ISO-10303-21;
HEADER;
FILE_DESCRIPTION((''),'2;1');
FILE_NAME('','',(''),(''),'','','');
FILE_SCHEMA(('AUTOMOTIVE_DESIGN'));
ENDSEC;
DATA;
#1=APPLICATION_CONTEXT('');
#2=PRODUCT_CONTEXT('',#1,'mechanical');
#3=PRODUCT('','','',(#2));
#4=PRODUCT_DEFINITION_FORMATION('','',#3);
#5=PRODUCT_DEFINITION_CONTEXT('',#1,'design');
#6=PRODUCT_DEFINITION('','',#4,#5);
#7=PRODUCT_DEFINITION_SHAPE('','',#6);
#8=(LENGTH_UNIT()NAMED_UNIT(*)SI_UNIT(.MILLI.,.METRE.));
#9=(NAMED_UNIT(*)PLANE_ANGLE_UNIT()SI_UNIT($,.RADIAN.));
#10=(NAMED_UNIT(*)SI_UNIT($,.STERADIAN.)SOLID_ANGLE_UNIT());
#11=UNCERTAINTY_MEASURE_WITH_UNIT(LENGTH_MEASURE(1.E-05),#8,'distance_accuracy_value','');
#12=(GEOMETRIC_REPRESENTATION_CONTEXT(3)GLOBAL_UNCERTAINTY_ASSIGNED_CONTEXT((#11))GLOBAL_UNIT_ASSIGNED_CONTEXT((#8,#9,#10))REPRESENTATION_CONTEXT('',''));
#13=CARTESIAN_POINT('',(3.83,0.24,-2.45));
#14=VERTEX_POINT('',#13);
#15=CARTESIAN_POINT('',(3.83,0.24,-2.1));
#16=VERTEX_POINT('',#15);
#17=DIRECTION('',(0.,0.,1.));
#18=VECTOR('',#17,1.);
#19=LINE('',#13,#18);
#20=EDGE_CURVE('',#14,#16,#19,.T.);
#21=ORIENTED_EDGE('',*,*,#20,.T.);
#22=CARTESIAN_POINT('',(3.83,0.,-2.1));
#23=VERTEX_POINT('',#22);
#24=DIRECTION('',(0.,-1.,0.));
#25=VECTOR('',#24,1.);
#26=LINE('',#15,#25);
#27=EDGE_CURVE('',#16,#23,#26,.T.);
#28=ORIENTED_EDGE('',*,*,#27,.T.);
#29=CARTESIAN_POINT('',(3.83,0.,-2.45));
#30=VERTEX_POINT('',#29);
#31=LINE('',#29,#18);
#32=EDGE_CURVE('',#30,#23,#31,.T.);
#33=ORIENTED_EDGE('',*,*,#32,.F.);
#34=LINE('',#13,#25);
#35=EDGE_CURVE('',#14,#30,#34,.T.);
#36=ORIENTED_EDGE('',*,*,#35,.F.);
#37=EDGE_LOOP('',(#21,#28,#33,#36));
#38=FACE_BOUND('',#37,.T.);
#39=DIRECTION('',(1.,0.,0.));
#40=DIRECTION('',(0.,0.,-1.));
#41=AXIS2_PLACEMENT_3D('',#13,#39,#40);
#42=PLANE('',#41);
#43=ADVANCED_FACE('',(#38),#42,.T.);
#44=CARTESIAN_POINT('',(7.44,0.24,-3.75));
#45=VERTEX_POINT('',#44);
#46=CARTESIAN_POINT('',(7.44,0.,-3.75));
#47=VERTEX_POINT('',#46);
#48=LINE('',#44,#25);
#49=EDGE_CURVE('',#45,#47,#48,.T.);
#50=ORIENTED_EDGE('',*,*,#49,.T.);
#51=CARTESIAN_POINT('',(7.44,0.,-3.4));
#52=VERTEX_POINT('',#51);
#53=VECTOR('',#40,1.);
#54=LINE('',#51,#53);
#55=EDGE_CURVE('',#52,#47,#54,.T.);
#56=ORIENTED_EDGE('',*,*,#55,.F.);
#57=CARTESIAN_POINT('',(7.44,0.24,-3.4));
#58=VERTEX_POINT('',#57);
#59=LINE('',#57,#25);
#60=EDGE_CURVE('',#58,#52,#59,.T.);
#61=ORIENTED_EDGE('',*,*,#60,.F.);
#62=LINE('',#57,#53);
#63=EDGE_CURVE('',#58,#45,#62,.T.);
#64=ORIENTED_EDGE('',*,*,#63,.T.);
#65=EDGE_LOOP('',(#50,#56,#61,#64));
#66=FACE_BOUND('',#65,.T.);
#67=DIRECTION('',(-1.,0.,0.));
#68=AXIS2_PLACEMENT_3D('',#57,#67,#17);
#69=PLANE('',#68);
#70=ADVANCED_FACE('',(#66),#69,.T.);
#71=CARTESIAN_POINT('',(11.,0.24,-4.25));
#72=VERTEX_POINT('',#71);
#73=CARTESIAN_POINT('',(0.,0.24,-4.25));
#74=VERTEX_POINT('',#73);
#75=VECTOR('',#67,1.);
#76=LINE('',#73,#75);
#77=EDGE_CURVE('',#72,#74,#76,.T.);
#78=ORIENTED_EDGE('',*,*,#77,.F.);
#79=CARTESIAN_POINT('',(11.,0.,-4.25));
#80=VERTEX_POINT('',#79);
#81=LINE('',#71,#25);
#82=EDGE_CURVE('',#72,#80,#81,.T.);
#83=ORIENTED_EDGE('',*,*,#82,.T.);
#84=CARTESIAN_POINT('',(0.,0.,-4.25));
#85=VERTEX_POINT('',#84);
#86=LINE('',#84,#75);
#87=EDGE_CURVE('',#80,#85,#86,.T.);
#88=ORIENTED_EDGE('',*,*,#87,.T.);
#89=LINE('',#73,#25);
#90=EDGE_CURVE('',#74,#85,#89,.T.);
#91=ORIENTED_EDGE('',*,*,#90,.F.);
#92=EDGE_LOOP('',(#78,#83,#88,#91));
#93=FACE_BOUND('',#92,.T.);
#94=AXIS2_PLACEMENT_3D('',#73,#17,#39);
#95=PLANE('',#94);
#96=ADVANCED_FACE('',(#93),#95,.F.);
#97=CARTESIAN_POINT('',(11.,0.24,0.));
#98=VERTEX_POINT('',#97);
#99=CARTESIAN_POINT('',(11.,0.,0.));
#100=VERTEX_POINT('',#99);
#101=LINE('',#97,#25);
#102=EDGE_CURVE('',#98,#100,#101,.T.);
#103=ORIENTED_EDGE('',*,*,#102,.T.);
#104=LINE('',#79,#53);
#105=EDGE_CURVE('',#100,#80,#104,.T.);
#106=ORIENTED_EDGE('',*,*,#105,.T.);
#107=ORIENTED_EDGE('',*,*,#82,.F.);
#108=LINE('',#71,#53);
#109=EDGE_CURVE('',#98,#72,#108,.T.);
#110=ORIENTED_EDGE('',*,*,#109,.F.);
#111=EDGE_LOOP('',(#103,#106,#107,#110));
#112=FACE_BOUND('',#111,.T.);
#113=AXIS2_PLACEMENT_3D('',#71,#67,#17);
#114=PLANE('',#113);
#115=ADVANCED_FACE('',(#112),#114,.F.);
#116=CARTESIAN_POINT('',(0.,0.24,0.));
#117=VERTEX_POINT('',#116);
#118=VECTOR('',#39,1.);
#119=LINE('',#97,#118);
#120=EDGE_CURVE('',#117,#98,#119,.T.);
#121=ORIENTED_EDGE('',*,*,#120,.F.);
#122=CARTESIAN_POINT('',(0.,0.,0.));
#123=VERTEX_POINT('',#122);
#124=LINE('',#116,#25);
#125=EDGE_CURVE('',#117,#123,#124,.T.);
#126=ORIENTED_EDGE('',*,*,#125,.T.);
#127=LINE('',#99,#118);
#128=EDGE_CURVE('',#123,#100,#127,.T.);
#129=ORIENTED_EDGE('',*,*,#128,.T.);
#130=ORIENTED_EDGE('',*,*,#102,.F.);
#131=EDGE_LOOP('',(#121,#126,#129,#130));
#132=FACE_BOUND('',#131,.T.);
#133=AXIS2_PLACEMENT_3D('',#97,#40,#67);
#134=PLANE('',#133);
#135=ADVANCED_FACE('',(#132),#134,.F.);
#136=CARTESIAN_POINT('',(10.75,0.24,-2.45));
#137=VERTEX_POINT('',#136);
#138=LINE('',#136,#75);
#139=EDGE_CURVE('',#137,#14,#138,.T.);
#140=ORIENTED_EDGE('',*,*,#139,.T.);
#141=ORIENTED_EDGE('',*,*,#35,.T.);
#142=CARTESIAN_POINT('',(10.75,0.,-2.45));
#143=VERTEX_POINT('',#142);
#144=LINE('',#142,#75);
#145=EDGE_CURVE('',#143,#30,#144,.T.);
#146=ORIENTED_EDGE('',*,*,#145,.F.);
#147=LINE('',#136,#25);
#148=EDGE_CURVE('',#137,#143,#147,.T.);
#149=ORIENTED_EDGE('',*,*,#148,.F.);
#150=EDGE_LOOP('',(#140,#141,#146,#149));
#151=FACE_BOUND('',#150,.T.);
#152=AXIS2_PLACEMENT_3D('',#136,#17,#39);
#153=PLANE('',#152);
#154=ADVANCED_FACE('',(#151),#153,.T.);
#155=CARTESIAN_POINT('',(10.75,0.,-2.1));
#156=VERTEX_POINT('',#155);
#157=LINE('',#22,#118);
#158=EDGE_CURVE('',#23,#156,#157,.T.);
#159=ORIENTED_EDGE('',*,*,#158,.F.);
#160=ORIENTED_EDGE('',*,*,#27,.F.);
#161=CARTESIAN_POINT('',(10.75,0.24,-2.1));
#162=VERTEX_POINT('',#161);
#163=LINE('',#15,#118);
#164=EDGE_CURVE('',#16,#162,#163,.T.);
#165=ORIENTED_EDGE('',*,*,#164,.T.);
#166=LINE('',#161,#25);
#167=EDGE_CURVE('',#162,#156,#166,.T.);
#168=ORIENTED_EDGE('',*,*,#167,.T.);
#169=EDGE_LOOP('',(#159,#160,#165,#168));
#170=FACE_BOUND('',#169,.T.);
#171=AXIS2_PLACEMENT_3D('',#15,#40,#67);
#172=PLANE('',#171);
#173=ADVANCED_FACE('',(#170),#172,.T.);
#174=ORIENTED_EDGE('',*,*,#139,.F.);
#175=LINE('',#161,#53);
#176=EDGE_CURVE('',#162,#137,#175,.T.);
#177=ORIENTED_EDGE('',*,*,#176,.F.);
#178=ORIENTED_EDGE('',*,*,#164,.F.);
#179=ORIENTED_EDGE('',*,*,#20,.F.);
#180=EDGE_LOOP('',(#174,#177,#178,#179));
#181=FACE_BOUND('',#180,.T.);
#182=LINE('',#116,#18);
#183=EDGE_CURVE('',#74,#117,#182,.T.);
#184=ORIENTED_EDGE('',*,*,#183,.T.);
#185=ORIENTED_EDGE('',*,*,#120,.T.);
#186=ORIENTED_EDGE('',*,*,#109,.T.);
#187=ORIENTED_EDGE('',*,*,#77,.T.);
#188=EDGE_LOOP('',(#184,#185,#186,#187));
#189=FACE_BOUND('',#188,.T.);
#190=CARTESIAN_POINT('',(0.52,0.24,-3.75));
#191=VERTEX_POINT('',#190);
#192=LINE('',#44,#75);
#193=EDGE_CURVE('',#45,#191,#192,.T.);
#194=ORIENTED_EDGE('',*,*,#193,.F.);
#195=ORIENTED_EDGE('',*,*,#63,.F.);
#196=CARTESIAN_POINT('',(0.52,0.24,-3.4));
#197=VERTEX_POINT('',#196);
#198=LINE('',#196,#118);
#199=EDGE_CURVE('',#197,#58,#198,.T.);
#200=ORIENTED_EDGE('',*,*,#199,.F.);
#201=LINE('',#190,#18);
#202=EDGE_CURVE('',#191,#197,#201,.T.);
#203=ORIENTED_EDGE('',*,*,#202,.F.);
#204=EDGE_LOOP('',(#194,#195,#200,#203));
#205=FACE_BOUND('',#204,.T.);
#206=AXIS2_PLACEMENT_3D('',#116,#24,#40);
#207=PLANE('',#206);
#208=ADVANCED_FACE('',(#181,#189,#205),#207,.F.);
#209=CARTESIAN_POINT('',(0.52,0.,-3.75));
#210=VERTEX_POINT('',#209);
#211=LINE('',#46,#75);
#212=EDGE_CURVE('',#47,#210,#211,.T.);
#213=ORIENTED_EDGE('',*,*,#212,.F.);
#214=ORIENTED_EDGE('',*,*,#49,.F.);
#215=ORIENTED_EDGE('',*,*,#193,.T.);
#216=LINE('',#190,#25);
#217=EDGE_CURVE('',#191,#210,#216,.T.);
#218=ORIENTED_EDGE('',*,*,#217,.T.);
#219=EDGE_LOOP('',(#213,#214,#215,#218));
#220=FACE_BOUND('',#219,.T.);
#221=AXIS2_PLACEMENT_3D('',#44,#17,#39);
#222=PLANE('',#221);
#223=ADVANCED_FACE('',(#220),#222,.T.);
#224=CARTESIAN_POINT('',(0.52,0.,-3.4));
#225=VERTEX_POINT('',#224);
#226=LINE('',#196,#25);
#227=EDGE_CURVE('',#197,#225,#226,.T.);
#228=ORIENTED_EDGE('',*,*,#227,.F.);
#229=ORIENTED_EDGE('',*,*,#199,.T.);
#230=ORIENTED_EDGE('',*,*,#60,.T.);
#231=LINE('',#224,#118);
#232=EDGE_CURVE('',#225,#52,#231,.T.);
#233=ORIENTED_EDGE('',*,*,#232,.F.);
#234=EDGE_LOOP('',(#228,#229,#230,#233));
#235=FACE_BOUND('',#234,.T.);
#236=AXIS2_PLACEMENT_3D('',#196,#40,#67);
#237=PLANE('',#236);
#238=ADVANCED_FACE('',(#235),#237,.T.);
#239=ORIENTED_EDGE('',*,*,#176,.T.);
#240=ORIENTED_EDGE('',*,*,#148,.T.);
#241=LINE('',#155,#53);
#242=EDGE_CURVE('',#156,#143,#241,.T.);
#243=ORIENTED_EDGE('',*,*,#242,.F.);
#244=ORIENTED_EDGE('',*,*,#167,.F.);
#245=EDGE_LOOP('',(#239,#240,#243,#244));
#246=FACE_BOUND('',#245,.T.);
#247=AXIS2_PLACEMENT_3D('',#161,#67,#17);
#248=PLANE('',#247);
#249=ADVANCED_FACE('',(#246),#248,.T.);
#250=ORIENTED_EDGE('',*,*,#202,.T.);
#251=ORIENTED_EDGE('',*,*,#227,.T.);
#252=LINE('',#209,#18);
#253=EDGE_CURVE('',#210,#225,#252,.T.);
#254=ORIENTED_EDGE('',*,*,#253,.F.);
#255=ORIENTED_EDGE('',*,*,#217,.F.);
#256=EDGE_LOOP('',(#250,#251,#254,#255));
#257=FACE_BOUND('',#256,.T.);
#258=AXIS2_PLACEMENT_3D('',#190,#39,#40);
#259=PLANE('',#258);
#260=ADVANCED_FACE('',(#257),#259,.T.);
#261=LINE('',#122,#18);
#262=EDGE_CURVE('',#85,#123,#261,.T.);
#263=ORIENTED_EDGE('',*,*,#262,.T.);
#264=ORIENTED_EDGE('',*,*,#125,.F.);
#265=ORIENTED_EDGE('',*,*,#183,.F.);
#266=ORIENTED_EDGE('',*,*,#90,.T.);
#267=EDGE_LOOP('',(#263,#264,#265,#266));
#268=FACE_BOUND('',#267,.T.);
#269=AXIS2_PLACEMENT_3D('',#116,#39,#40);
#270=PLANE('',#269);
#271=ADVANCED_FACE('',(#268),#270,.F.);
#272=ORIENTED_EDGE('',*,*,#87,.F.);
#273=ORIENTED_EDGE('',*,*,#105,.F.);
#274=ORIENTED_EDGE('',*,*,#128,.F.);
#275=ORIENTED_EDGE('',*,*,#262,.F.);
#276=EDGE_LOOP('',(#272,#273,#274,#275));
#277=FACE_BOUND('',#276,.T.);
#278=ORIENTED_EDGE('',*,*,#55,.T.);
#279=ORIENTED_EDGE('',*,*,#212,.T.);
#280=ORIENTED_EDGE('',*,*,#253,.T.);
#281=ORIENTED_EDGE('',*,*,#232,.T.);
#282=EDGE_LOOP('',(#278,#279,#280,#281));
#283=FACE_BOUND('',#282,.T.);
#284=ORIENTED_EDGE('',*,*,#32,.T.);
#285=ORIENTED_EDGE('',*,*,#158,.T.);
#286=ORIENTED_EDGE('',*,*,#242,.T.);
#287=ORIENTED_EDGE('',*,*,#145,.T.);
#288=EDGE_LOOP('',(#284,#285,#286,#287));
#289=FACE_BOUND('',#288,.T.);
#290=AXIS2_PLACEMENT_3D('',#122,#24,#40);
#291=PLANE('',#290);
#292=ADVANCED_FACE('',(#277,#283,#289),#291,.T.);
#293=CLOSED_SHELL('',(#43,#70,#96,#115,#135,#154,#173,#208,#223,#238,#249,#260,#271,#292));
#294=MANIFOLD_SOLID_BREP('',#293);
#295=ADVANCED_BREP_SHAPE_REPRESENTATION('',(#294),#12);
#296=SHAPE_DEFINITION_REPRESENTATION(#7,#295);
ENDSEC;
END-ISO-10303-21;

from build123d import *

# Parameters (mm, degrees)
SKETCH1_W           = 11
SKETCH1_H           = 4.25
SKETCH1_W_2         = 6.92
SKETCH1_H_2         = 0.35
BOSS_EXTRUDE1_DEPTH = 0.24


with BuildPart() as part:
    # Sketch1 → Boss-Extrude1 (new body)
    with BuildSketch(Plane(origin=(0, 0, 0), x_dir=(1, 0, 0), z_dir=(0, 1, 0))):
        with Locations((5.5, 2.125)):
            Rectangle(SKETCH1_W, SKETCH1_H)
        with Locations((3.98, 3.575)):
            Rectangle(SKETCH1_W_2, SKETCH1_H_2, mode=Mode.SUBTRACT)
        with Locations((7.29, 2.275)):
            Rectangle(SKETCH1_W_2, SKETCH1_H_2, mode=Mode.SUBTRACT)
    extrude(amount=BOSS_EXTRUDE1_DEPTH)


solid = part.part
